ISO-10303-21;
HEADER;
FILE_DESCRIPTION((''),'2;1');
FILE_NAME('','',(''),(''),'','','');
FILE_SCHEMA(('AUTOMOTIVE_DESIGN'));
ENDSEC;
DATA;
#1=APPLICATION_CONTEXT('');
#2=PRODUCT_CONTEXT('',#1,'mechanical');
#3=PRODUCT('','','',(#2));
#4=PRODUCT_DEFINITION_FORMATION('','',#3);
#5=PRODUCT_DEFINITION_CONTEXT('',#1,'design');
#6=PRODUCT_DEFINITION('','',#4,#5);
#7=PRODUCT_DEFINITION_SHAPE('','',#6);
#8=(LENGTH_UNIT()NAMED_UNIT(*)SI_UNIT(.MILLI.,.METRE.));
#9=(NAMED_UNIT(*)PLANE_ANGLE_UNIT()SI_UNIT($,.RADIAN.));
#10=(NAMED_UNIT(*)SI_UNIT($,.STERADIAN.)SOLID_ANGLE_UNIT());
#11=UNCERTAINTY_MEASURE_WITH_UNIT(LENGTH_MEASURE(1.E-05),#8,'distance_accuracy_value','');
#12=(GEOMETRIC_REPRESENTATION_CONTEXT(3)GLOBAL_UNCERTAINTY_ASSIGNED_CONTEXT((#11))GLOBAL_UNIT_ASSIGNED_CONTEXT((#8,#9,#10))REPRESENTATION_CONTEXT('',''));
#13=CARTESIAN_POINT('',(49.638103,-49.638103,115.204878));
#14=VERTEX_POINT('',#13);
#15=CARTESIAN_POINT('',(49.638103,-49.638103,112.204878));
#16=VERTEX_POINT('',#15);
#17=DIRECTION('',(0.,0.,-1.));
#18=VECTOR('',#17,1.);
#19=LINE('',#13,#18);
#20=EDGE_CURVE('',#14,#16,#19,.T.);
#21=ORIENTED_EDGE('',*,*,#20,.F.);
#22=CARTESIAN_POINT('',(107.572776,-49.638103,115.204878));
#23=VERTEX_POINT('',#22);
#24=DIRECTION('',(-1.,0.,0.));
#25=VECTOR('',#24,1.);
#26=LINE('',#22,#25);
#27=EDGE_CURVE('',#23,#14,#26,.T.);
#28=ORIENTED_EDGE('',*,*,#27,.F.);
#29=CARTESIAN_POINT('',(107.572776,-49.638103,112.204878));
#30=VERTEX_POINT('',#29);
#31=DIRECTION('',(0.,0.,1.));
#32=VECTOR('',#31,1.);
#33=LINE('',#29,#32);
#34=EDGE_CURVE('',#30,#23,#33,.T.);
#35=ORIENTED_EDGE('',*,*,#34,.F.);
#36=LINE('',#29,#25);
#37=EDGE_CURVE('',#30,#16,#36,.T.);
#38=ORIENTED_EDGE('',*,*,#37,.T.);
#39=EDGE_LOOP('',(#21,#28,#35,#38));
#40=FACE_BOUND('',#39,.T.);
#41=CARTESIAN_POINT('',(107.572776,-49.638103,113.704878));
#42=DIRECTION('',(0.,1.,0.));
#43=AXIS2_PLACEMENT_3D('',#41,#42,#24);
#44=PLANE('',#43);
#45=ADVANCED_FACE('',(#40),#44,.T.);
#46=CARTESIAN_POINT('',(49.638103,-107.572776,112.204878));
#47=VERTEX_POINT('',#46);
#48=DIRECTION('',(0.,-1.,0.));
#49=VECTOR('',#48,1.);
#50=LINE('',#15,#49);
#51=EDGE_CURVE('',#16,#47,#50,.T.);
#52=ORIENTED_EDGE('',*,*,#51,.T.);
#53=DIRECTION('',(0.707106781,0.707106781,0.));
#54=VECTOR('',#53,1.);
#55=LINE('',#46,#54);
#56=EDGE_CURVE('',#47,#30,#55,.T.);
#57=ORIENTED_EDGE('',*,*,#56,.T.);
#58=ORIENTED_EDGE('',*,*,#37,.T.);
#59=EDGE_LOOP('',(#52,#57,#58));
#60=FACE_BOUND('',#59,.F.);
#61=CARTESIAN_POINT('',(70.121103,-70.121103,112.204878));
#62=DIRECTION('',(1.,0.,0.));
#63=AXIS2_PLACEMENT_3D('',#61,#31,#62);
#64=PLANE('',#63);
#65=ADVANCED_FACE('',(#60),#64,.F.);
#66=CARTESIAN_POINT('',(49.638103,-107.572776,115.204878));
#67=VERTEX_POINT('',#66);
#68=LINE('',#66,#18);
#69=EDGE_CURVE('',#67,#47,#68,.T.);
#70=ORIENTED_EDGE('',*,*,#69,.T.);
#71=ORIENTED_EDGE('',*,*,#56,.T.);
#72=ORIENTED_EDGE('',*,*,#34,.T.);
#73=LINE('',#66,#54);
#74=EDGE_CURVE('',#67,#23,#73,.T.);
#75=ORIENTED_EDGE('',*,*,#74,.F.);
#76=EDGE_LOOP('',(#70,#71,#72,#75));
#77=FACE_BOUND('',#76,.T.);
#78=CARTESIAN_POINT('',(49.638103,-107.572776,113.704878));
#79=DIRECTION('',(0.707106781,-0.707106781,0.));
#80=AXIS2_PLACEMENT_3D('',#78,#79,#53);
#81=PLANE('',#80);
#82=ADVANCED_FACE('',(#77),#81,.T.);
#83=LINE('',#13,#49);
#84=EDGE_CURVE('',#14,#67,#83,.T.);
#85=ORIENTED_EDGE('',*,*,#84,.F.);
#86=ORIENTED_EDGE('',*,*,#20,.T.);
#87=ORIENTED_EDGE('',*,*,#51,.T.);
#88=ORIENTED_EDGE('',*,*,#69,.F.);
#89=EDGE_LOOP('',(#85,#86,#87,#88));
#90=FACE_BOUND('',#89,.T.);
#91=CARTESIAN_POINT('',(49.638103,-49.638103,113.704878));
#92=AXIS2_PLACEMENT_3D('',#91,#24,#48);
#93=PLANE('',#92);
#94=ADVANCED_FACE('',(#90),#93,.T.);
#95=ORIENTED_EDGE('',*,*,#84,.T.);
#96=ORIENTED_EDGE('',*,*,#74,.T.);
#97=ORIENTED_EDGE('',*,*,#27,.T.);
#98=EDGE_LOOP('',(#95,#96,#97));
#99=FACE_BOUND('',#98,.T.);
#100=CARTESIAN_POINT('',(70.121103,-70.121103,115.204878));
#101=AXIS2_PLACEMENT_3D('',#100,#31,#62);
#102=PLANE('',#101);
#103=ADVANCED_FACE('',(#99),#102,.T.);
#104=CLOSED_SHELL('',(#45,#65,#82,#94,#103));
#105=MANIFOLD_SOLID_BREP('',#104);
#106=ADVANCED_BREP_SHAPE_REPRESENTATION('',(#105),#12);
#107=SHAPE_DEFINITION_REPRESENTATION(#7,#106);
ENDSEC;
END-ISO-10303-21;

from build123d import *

# Parameters (mm, degrees)
BOSS_EXTRUDE1_DEPTH = 1.5


with BuildPart() as part:
    # Sketch1 → Boss-Extrude1 (new body, symmetric)
    with BuildSketch(Plane.XY.offset(113.704878)):
        Polygon((49.638102576, -107.572775552), (107.572775552, -49.638102576), (49.638102576, -49.638102576), align=None)
    extrude(amount=BOSS_EXTRUDE1_DEPTH, both=True)


solid = part.part
